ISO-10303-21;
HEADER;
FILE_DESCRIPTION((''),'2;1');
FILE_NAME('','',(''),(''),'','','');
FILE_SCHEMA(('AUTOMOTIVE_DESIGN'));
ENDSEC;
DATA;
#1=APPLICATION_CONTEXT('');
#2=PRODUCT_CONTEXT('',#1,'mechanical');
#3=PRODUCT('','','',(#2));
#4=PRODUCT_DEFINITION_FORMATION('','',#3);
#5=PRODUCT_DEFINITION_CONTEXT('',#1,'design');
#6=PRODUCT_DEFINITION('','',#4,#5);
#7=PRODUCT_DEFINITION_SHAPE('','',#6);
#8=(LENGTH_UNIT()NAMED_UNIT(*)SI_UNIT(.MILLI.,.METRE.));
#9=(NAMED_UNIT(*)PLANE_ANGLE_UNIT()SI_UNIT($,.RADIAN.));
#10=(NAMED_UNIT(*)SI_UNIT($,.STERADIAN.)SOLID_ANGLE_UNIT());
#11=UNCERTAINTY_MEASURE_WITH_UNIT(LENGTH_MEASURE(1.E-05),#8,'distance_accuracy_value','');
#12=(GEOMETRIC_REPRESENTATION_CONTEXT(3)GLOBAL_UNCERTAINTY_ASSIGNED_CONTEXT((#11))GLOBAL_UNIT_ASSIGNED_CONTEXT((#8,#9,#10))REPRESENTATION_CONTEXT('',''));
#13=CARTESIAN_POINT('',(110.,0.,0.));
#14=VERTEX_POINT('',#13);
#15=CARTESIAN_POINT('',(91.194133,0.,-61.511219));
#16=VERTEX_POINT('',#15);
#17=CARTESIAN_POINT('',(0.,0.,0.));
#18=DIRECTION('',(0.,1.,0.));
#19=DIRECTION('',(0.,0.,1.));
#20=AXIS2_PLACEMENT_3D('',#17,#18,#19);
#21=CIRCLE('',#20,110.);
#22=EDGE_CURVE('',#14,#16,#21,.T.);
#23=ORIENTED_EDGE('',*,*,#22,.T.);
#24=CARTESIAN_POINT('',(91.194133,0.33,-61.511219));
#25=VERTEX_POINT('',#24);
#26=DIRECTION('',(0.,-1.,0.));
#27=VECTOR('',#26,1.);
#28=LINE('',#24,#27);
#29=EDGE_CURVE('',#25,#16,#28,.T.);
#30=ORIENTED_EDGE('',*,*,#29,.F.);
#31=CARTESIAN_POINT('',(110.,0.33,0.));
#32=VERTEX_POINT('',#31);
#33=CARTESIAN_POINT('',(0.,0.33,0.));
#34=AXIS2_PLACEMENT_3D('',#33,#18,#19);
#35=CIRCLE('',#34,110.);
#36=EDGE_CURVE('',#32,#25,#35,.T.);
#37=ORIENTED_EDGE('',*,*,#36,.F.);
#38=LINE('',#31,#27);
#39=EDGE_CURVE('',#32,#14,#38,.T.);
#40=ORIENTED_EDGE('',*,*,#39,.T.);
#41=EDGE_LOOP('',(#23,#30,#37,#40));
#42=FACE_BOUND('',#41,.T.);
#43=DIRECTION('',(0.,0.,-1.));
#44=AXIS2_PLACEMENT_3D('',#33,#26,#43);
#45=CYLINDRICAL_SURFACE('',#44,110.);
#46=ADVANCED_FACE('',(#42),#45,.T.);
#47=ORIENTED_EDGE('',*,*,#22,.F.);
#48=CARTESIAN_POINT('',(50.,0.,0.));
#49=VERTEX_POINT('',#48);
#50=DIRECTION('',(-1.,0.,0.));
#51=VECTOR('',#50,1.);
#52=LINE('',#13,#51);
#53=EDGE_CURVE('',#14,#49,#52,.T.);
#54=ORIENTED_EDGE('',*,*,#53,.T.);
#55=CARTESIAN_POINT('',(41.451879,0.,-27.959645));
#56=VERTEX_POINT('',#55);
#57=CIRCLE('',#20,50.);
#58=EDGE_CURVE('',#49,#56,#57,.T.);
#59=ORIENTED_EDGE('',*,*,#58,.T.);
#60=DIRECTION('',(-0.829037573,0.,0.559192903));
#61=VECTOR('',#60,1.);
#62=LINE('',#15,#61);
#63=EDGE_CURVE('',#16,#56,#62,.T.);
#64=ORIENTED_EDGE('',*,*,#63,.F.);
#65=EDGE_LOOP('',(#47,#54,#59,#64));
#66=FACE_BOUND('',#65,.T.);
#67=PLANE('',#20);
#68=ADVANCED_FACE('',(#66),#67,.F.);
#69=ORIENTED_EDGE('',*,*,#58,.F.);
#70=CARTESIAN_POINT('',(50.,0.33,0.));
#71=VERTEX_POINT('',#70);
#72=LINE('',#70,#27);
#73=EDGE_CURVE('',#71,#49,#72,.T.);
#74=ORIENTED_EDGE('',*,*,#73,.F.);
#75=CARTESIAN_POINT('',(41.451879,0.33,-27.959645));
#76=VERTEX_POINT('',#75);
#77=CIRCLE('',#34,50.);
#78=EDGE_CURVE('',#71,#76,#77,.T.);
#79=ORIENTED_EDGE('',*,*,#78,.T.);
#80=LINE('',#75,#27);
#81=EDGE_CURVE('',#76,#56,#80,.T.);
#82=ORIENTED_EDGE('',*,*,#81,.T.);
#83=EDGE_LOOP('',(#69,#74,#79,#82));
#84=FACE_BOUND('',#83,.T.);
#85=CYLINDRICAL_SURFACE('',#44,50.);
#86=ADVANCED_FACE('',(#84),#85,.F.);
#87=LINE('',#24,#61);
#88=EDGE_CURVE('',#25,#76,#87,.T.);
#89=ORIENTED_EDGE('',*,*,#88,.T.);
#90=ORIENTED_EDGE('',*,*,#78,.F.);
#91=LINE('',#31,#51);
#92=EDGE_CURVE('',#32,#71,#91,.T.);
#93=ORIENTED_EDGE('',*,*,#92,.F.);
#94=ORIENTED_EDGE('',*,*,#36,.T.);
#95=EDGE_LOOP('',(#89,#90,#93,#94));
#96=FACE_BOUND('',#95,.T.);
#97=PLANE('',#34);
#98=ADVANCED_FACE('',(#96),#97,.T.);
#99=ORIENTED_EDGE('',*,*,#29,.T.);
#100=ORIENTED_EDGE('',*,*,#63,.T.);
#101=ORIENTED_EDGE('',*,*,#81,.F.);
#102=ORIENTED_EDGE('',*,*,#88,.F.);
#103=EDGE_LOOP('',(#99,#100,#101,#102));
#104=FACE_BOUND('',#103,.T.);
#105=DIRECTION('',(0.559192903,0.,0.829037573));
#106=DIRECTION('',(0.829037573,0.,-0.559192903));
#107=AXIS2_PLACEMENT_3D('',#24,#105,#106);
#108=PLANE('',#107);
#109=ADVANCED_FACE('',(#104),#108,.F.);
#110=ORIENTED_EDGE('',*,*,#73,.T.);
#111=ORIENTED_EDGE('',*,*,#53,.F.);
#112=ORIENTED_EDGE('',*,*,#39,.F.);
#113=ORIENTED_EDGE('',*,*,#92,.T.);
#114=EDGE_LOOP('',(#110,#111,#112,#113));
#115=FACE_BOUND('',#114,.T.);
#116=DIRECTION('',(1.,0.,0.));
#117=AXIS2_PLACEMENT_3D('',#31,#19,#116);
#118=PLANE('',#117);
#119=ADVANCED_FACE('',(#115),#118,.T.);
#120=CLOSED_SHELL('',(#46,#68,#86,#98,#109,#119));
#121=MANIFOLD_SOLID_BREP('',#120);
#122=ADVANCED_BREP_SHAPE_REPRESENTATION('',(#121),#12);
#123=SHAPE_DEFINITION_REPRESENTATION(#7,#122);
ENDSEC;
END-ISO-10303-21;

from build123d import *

# Parameters (mm, degrees)
EXTRUDE_1_DEPTH = 0.33


with BuildPart() as part:
    # 草图1 → 凸台-拉伸1 (new body)
    with BuildSketch(Plane(origin=(0, 0, 0), x_dir=(1, 0, 0), z_dir=(0, 1, 0))):
        with BuildLine():
            Line((91.194132981, 61.511219382), (41.451878628, 27.959645174))
            ThreePointArc((41.451878628, 27.959645174), (47.815237798, 14.618585236), (50, 0))
            Line((50, 0), (110, 0))
            ThreePointArc((110, 0), (105.193523156, 32.16088752), (91.194132981, 61.511219382))
        make_face()
    extrude(amount=EXTRUDE_1_DEPTH)


solid = part.part
